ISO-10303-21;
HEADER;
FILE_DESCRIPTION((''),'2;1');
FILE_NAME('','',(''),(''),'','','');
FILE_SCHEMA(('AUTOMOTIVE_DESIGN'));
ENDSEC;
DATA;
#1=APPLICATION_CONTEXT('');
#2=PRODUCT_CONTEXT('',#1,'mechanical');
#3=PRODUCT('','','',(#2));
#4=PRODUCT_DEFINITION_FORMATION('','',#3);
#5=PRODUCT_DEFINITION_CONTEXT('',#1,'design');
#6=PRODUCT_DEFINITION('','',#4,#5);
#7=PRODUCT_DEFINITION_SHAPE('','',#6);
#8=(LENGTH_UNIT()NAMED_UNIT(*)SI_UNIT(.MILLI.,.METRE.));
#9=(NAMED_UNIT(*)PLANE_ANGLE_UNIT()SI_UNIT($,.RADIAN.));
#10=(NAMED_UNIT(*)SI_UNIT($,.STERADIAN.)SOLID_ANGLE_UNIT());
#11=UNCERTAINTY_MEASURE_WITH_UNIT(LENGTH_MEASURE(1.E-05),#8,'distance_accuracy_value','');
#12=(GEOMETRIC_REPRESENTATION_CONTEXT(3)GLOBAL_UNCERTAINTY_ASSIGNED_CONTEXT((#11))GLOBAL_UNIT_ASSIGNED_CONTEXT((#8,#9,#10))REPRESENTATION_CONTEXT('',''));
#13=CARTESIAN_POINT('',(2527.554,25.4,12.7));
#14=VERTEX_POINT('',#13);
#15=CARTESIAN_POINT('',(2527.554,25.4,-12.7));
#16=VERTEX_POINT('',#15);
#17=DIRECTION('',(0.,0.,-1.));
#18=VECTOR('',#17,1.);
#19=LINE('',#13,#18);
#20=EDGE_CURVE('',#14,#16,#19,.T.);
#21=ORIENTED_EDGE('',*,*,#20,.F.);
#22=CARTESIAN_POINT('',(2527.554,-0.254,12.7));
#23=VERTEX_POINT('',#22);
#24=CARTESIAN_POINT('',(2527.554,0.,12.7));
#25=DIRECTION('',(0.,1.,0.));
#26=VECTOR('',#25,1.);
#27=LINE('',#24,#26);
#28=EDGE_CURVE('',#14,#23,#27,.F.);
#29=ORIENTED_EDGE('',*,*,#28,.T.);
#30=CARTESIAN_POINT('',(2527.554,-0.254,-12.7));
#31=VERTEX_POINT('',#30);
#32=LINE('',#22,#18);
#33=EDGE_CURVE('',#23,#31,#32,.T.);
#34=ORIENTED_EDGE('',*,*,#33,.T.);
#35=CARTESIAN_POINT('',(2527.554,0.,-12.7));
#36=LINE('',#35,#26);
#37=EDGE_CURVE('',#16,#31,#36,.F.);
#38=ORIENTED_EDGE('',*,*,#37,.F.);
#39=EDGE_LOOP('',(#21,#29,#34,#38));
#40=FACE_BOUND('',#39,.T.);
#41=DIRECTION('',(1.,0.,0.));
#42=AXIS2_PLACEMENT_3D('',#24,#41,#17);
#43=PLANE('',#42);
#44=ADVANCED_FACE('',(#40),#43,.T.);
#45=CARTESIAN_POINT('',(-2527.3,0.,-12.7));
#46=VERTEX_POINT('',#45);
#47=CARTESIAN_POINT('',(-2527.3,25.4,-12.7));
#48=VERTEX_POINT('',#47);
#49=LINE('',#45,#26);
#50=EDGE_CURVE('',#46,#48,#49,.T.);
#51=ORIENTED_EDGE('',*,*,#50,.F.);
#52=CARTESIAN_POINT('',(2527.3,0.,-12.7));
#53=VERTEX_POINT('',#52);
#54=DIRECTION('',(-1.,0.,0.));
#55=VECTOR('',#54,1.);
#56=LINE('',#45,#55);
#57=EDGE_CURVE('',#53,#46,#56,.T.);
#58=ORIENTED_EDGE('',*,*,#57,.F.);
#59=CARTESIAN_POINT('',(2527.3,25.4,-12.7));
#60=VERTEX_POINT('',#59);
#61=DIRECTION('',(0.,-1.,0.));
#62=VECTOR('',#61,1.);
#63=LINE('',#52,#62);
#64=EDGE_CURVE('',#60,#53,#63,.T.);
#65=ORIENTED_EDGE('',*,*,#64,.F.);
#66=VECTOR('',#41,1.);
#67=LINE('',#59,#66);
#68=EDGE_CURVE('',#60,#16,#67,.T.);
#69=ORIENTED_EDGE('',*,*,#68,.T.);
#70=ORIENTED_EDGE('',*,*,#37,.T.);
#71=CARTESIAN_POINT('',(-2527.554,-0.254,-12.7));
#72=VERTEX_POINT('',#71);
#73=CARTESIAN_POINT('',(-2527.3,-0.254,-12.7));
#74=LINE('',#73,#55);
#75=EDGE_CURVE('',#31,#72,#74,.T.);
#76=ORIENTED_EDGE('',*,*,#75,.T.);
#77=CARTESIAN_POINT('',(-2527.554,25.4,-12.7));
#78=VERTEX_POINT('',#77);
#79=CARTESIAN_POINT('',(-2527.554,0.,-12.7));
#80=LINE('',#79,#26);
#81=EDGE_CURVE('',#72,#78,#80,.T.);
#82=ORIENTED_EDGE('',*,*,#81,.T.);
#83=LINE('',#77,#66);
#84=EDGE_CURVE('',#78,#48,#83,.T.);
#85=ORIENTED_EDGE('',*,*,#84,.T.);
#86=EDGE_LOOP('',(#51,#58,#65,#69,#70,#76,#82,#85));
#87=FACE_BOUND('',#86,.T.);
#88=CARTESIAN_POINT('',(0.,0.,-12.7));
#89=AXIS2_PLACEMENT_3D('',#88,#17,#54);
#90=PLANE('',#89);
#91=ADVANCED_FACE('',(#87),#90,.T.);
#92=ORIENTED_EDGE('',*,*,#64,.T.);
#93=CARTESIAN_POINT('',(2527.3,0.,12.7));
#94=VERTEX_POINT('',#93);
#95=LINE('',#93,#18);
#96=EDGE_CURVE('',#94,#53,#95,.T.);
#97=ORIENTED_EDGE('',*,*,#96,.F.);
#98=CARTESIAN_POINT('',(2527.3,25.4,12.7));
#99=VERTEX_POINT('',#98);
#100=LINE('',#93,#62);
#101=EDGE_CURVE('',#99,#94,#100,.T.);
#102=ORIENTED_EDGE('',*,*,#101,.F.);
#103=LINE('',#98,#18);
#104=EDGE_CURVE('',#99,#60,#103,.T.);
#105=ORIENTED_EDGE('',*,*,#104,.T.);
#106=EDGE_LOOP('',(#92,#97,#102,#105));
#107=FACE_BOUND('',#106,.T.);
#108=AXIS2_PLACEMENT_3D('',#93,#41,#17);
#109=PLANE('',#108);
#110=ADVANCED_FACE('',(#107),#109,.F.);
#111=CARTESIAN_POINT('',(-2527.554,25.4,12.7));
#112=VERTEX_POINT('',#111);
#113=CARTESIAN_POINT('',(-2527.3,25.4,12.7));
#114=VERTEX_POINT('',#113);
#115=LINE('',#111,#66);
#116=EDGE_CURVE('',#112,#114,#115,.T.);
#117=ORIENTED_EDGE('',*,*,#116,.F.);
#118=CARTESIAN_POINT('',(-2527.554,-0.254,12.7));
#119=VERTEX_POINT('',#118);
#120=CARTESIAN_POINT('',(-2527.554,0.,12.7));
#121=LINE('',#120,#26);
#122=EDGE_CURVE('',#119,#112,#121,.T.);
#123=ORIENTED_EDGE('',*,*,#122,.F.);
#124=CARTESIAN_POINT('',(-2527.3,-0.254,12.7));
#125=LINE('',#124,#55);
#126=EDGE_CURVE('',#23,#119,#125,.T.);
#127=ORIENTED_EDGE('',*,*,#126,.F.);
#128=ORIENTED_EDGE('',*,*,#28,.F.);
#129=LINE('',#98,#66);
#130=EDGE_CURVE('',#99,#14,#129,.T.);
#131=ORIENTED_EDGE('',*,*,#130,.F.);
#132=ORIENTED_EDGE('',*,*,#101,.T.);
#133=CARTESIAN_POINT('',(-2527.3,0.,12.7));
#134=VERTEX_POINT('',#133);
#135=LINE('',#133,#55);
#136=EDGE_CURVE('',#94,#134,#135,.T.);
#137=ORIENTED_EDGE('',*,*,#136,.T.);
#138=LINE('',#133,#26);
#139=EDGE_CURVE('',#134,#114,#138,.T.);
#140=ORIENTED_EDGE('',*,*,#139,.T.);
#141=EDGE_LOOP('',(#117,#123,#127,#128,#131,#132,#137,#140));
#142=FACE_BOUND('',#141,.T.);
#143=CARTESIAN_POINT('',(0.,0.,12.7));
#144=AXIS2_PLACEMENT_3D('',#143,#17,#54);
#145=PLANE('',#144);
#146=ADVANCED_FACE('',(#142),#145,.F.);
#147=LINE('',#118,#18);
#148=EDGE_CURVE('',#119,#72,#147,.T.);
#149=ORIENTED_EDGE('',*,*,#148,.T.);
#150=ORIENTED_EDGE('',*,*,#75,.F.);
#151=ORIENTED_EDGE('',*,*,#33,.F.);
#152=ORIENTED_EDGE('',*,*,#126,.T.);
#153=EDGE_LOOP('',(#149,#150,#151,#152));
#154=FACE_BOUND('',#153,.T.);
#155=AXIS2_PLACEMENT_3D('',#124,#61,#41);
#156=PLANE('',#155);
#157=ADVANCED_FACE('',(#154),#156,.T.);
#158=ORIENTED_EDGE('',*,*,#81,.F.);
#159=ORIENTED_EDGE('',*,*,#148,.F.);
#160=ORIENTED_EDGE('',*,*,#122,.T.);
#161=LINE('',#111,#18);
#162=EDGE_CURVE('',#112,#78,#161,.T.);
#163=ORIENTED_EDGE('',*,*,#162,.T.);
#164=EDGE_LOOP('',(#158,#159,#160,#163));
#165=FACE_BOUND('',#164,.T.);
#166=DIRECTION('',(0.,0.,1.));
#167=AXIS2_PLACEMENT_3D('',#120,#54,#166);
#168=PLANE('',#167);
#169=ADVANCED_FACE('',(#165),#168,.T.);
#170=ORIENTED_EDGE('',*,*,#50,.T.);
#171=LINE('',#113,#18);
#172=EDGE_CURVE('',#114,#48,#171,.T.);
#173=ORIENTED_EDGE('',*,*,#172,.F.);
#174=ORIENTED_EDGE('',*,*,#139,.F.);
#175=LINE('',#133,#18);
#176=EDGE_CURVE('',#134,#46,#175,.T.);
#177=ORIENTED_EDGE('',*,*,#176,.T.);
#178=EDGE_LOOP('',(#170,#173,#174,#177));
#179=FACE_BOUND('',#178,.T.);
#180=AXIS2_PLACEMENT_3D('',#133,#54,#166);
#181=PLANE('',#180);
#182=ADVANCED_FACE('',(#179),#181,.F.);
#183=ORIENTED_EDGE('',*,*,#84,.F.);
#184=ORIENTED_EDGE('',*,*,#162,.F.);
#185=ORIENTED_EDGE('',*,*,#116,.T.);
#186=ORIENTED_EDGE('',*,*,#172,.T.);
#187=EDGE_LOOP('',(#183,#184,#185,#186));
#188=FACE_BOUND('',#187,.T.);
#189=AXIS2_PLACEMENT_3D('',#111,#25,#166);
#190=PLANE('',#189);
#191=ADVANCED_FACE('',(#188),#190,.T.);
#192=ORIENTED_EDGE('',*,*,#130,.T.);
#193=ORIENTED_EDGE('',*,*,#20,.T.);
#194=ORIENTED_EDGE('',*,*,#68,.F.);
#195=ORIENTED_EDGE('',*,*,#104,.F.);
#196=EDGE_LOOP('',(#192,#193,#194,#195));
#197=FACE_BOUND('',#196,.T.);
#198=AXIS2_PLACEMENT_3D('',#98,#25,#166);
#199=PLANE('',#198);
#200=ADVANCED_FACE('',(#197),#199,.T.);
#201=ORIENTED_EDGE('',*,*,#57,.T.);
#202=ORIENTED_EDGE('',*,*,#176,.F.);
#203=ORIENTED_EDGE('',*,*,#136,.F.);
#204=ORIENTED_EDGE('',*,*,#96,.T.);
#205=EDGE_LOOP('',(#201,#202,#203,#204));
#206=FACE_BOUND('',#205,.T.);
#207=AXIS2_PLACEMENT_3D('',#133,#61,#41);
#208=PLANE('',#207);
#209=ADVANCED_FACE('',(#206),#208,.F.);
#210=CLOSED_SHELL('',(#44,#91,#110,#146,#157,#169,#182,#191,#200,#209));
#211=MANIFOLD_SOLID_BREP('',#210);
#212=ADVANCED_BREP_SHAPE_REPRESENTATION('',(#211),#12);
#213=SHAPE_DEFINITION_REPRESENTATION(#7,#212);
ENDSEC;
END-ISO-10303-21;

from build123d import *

# Parameters (mm, degrees)
EXTRUDE_THIN1_DEPTH = 12.7


with BuildPart() as part:
    # Sketch1 → Extrude-Thin1 (new body, symmetric)
    with BuildSketch(Plane.XY):
        Polygon((-2527.3, 25.4), (-2527.3, 0), (2527.3, 0), (2527.3, 25.4), (2527.554, 25.4), (2527.554, -0.254), (-2527.554, -0.254), (-2527.554, 25.4), align=None)
    extrude(amount=EXTRUDE_THIN1_DEPTH, both=True)


solid = part.part
